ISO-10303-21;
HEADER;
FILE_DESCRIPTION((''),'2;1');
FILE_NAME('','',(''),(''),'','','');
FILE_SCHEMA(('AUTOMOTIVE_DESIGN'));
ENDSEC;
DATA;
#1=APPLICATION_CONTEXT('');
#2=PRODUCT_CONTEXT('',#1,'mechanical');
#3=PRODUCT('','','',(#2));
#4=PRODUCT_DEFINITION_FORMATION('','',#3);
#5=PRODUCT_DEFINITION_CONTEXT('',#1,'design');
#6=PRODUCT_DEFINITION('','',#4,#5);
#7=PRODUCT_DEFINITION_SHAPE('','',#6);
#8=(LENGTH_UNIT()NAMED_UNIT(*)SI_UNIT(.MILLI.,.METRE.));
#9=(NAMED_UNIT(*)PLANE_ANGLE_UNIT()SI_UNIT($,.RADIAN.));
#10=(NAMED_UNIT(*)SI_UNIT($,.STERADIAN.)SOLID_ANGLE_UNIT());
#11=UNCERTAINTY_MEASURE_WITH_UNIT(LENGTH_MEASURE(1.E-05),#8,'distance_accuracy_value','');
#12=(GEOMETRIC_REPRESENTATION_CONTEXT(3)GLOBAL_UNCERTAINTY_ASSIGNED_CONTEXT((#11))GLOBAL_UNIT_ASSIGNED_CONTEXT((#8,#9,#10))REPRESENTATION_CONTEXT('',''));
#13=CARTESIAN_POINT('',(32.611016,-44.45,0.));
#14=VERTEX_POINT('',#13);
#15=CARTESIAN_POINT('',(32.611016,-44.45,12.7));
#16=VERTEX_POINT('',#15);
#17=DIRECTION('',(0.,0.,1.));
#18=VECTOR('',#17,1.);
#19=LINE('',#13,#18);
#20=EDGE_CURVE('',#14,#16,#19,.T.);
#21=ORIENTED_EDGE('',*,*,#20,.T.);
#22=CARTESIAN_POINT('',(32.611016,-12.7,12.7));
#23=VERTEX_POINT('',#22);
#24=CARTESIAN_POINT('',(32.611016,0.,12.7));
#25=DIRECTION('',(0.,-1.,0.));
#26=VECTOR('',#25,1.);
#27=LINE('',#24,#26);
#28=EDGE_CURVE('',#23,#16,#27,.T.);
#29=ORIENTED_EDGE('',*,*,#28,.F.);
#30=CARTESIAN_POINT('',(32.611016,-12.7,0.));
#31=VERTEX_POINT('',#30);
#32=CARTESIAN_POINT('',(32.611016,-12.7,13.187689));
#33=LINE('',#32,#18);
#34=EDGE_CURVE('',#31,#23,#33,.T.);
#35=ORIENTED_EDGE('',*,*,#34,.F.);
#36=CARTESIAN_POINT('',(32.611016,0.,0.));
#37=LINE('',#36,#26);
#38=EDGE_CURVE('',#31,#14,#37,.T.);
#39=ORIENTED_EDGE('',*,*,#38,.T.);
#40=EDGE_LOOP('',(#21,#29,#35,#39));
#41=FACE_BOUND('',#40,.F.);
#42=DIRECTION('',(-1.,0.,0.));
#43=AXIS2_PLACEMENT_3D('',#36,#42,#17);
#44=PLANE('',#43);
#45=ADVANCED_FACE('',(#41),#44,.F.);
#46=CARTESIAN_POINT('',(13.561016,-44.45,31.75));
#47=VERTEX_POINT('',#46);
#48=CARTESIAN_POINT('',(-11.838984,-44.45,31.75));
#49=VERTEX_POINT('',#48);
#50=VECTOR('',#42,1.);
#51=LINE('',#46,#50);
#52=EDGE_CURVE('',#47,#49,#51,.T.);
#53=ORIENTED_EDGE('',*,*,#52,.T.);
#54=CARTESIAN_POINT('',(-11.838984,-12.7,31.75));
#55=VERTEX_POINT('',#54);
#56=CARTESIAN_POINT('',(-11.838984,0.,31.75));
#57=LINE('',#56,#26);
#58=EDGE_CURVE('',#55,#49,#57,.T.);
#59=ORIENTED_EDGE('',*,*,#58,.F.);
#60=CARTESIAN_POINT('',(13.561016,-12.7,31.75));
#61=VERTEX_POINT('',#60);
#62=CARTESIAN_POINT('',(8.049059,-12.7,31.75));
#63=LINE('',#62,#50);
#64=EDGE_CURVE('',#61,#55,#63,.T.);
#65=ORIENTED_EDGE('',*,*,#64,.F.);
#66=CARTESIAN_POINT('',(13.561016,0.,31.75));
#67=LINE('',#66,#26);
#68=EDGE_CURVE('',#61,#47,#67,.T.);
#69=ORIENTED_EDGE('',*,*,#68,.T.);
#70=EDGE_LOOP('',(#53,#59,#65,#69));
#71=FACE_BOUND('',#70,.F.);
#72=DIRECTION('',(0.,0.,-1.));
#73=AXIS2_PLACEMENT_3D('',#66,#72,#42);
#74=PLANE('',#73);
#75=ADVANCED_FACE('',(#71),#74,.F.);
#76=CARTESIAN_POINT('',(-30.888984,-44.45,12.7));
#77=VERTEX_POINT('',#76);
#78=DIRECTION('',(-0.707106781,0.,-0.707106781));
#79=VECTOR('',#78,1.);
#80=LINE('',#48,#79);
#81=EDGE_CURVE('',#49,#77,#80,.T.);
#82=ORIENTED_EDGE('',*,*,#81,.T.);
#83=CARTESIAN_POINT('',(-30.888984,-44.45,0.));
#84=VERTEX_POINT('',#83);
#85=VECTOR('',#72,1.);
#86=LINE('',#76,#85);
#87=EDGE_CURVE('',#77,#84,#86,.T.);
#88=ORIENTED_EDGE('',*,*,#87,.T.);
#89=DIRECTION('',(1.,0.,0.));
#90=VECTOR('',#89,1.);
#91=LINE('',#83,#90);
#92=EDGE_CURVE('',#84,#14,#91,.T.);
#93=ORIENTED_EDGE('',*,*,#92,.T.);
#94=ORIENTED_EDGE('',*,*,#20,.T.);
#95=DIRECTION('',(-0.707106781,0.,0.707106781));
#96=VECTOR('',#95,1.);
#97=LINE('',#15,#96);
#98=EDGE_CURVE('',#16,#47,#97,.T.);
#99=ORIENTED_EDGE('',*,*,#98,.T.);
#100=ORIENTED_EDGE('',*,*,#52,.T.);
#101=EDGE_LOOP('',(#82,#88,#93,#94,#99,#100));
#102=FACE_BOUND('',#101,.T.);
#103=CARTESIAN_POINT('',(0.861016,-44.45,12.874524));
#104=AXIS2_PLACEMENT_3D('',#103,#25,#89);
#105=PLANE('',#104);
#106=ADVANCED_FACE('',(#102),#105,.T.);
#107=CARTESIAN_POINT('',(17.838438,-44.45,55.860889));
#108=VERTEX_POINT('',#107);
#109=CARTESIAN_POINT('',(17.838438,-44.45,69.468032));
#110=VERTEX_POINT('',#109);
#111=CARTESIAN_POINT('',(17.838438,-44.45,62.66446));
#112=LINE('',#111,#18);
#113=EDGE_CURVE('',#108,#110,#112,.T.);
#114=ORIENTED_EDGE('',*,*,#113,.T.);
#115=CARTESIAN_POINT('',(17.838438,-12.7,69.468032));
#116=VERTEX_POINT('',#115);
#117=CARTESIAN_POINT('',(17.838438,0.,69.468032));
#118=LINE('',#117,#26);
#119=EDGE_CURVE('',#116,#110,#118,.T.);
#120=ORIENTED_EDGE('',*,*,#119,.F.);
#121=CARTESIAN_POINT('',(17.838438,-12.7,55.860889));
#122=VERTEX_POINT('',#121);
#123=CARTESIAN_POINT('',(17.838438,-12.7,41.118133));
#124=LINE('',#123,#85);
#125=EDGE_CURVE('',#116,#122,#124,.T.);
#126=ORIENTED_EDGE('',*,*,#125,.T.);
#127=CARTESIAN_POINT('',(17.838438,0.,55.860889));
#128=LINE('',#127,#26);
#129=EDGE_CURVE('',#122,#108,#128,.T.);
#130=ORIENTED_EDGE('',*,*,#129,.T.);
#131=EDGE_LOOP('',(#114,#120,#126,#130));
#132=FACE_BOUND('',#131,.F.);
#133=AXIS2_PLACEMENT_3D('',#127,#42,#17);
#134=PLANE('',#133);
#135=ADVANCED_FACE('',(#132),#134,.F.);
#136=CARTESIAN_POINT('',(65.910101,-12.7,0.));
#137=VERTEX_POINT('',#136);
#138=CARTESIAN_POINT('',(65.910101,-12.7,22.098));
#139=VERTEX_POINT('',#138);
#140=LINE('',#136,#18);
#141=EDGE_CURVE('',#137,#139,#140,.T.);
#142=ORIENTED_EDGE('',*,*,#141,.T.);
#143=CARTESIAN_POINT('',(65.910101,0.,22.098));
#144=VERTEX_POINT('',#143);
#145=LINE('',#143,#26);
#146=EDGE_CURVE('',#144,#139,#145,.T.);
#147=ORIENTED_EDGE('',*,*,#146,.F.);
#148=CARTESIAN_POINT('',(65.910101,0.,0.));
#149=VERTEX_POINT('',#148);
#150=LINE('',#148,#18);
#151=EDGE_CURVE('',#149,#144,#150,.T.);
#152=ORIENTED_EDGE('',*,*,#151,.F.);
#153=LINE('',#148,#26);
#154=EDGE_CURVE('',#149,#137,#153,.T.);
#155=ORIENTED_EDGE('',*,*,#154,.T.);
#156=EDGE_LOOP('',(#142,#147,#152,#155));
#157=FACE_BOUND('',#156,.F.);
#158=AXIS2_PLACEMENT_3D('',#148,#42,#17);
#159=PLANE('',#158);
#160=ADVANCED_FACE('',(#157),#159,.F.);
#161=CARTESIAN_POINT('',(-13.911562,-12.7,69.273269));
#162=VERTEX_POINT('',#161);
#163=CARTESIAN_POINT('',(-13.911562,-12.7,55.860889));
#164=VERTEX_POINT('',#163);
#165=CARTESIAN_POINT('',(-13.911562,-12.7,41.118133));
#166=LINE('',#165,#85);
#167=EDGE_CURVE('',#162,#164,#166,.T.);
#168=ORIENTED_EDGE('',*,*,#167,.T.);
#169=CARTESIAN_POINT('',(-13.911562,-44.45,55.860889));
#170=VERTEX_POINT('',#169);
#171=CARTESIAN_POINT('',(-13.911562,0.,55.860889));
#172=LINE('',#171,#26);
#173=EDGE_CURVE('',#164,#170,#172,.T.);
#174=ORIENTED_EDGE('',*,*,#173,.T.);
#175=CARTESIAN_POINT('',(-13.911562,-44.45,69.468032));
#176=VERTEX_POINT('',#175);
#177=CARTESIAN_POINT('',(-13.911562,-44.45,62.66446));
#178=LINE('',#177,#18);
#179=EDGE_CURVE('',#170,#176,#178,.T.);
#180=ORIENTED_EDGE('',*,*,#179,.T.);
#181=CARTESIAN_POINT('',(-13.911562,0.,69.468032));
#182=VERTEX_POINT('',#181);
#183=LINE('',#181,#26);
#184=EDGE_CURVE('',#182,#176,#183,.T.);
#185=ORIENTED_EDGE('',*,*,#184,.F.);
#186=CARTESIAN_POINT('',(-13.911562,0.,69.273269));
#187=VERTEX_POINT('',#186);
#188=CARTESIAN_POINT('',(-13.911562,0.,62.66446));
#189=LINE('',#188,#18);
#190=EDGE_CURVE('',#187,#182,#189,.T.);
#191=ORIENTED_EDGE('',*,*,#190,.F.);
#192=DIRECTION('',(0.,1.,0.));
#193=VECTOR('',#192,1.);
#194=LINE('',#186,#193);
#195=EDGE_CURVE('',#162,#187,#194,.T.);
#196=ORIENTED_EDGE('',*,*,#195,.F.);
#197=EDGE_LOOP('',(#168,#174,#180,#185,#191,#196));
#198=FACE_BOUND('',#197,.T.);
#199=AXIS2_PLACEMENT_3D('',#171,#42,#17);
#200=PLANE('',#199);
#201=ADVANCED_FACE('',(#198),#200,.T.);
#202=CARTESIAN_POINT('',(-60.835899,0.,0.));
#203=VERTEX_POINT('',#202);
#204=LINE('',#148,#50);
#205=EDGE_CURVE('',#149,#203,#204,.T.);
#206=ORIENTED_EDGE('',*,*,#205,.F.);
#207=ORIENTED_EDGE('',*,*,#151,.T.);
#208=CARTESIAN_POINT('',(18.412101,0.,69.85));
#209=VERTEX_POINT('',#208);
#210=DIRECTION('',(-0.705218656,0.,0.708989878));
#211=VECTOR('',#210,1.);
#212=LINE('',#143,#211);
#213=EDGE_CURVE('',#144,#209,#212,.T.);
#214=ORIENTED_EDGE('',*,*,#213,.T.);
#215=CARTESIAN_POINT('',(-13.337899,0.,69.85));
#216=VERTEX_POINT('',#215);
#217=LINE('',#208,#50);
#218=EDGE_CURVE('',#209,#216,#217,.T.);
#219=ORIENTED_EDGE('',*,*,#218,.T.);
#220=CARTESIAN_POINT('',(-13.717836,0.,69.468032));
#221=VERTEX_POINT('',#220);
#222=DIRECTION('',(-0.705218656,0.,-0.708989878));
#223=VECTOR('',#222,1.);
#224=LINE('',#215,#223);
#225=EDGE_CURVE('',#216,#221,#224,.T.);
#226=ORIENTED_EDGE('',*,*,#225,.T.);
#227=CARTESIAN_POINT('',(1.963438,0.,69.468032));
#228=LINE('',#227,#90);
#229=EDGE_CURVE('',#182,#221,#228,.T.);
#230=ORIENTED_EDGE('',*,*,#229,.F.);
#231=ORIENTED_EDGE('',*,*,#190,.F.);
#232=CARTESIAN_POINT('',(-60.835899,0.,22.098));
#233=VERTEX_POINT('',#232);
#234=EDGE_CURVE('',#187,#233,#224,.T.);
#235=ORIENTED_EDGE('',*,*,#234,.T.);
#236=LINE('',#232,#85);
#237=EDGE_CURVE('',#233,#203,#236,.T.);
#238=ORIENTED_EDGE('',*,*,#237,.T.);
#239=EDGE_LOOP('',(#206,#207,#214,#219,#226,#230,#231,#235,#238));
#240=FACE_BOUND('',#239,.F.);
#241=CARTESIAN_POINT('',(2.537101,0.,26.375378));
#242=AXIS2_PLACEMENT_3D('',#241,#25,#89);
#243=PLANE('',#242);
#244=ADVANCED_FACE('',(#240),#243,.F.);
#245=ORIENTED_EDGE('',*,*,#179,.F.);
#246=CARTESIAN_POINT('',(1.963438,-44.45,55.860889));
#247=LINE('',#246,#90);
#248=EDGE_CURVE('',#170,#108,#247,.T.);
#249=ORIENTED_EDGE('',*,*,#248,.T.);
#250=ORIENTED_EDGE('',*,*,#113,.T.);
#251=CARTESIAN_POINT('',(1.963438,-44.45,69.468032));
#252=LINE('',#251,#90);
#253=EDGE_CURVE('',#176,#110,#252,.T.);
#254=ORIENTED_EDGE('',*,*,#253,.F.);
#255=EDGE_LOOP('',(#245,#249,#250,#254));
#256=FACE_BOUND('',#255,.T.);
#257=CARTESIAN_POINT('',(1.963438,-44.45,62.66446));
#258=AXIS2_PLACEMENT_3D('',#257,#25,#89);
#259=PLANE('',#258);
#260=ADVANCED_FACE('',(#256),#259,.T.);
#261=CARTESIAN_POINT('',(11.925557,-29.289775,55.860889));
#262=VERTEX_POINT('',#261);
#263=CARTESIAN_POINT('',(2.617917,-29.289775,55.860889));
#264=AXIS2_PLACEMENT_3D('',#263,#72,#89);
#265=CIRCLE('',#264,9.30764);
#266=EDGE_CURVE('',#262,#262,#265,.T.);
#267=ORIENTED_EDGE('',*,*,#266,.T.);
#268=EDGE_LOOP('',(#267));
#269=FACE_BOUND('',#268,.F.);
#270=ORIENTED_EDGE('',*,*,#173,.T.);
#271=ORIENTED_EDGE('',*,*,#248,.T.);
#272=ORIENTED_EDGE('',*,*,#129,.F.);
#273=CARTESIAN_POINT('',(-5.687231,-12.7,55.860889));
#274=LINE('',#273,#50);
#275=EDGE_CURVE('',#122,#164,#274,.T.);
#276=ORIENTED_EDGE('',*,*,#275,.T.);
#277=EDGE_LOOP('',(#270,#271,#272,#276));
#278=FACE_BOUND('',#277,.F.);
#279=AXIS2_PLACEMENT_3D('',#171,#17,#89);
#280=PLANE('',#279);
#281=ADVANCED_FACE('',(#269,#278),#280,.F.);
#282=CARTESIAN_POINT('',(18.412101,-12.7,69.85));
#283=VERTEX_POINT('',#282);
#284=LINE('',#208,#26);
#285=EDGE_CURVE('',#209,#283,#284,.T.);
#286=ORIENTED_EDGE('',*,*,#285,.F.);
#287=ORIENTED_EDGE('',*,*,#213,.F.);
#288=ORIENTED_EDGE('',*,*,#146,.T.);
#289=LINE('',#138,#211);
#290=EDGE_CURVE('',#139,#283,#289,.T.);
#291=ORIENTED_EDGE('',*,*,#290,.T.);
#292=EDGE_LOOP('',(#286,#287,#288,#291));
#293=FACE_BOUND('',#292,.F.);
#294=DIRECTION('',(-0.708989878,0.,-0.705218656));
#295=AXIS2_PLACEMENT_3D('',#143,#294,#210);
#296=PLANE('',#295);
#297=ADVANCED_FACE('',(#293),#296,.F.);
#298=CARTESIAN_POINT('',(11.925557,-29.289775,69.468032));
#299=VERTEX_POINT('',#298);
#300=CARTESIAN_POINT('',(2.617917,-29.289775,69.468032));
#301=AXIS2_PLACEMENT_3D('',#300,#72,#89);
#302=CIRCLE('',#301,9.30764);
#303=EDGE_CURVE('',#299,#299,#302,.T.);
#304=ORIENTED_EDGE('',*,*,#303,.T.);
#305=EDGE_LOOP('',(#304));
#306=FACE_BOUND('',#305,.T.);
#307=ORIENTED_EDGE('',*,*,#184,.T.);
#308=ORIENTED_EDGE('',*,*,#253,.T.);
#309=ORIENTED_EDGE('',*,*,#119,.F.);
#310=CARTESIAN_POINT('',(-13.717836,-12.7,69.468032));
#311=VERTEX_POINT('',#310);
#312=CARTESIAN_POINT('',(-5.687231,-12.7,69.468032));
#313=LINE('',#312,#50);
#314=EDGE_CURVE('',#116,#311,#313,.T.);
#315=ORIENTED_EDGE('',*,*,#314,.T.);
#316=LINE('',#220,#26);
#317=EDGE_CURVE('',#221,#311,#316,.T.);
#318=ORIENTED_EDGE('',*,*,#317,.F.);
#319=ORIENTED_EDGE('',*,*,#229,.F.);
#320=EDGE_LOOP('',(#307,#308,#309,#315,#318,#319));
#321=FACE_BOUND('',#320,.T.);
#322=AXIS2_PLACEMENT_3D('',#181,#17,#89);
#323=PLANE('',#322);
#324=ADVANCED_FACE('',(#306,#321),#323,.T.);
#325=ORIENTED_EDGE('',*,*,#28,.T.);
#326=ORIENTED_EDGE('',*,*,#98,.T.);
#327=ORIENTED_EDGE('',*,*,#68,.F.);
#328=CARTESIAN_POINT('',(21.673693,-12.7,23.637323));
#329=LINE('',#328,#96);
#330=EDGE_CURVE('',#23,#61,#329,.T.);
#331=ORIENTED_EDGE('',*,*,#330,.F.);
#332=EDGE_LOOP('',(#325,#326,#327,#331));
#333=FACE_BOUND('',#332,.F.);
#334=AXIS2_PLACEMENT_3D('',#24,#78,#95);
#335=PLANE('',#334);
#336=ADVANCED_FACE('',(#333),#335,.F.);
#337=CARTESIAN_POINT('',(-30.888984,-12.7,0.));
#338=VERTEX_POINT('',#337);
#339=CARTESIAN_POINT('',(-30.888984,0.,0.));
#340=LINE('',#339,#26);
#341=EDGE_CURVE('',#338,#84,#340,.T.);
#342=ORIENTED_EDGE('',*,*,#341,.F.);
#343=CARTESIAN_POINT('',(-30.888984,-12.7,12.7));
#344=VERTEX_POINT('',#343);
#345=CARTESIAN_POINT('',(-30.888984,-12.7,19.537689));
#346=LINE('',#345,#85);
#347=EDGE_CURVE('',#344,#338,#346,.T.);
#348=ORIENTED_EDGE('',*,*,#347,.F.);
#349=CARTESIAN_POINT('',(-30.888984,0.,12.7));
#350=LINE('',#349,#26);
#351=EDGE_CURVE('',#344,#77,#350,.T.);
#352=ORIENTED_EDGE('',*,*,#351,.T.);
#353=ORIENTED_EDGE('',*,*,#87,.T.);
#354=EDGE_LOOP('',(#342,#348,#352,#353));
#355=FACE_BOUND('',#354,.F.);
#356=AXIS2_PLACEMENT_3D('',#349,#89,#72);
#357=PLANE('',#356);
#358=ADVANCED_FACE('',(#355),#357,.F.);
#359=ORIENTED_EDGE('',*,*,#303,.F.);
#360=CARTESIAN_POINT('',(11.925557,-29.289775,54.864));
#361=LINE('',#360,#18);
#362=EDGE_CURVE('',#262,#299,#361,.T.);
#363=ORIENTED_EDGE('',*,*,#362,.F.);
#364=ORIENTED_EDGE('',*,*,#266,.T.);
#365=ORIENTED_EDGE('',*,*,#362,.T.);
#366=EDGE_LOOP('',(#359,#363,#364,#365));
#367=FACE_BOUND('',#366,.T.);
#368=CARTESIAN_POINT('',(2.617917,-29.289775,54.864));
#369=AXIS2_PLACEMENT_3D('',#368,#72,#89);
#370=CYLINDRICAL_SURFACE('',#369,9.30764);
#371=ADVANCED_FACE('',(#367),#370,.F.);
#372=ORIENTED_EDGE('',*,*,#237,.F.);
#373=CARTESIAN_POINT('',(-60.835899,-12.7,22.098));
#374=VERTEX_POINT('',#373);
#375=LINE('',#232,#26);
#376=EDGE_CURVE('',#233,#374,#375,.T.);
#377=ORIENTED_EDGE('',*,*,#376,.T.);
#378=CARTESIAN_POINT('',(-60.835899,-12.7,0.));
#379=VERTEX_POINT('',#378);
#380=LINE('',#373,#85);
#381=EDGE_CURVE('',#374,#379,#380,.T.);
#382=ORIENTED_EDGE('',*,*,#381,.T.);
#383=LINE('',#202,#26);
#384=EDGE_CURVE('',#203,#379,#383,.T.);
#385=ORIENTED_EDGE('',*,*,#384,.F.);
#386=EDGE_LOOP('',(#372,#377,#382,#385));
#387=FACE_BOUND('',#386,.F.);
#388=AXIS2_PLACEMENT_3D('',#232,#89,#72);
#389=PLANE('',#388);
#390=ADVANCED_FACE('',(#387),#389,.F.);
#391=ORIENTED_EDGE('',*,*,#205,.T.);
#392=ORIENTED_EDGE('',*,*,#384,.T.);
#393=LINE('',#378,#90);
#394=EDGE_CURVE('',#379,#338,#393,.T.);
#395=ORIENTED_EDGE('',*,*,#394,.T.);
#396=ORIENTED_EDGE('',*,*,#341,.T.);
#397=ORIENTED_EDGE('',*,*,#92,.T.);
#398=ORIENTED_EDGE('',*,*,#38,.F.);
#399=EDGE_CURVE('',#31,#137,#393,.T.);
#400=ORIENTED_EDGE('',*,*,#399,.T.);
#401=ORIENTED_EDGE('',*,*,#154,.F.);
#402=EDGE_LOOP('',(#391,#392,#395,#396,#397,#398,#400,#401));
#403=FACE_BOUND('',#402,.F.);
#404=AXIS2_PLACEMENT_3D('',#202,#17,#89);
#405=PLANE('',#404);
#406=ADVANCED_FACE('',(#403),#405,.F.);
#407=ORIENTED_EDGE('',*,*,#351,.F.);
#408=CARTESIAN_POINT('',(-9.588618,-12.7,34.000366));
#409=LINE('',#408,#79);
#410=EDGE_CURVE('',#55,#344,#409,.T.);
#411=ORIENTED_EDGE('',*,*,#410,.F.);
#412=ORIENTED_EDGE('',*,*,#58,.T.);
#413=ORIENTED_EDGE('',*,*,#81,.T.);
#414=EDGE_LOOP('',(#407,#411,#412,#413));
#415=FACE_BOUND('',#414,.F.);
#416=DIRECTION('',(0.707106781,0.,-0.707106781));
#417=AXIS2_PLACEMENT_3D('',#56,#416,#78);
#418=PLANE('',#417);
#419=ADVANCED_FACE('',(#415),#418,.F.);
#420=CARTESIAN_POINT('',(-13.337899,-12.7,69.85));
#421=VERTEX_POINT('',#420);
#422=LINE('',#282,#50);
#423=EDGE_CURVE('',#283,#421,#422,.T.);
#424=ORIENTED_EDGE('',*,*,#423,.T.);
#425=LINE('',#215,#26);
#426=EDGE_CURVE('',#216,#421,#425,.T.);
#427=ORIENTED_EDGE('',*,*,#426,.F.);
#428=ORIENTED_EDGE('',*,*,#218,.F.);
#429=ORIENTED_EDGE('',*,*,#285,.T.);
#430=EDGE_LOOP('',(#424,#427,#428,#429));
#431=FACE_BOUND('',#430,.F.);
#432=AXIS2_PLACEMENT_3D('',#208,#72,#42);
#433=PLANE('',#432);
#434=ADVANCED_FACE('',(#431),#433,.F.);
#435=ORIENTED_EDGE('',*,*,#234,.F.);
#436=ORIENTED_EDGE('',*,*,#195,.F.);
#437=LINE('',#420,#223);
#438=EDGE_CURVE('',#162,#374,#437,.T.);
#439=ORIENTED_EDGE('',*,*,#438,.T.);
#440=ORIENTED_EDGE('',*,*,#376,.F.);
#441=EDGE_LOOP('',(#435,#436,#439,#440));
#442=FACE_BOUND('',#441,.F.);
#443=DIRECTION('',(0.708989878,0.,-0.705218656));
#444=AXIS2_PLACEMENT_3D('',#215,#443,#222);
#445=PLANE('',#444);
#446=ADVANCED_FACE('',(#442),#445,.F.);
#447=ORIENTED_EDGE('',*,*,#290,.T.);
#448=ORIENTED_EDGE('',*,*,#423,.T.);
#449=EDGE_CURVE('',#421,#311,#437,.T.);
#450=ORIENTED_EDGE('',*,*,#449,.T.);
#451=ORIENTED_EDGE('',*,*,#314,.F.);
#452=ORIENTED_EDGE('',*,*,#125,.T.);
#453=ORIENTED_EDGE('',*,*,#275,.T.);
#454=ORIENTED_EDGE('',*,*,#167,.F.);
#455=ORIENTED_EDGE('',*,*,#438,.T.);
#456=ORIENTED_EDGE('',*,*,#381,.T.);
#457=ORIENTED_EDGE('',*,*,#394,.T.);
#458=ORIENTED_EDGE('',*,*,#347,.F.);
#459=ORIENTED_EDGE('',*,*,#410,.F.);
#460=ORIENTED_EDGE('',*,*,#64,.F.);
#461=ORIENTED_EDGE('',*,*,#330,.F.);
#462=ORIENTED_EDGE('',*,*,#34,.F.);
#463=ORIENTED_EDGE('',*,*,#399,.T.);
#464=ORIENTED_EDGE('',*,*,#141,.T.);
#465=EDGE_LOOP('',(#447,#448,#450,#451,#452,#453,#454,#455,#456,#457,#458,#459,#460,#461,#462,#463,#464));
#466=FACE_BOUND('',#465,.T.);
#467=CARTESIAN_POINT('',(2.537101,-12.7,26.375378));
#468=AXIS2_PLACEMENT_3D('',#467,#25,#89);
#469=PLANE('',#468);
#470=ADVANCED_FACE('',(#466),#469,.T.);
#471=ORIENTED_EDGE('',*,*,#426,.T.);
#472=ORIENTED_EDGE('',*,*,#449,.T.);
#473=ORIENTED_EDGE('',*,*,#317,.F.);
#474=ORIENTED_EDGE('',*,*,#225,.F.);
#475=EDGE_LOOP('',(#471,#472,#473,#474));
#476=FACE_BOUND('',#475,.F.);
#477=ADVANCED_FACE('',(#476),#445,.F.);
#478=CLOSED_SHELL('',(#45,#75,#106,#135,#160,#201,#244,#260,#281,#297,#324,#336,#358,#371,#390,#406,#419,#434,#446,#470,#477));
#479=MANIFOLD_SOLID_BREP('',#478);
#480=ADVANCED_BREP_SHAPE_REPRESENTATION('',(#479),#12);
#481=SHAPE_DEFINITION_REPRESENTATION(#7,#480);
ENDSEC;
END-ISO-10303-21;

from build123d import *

# Parameters (mm, degrees)
F1_DEPTH = 44.45
F3_DEPTH = 12.7
F4_W     = 31.75
F4_H     = 13.6071431206
F5_DEPTH = 44.45
F7_START = 54.864
F6_R     = 9.3076399549
F7_DEPTH = 60.706


with BuildPart() as f1:
    # F0 (on Front) → F1 (new body)
    with BuildSketch(Plane.XZ):
        Polygon((13.5610163573, 31.75), (-11.8389836427, 31.75), (-30.8889836427, 12.7), (-30.8889836427, 0), (32.6110163573, 0), (32.6110163573, 12.7), align=None)
    extrude(amount=F1_DEPTH)

    # F2 (on Front) → F3 (join)
    with BuildSketch(Plane.XZ):
        Polygon((18.4121006752, 69.85), (-13.3378993248, 69.85), (-60.8358993248, 22.098), (-60.8358993248, 0), (65.9101006752, 0), (65.9101006752, 22.098), align=None)
    extrude(amount=F3_DEPTH)

    # F4 (on Front) → F5 (join)
    with BuildSketch(Plane.XZ):
        with Locations((1.9634375349, 62.6644603908)):
            Rectangle(F4_W, F4_H)
    extrude(amount=F5_DEPTH)

    # F6 (on Top) → F7 (cut)
    with BuildSketch(Plane.XY.offset(F7_START)):
        with Locations((2.6179165579, -29.2897745967)):
            Circle(F6_R)
    extrude(amount=F7_DEPTH, mode=Mode.SUBTRACT)


solid = f1.part
